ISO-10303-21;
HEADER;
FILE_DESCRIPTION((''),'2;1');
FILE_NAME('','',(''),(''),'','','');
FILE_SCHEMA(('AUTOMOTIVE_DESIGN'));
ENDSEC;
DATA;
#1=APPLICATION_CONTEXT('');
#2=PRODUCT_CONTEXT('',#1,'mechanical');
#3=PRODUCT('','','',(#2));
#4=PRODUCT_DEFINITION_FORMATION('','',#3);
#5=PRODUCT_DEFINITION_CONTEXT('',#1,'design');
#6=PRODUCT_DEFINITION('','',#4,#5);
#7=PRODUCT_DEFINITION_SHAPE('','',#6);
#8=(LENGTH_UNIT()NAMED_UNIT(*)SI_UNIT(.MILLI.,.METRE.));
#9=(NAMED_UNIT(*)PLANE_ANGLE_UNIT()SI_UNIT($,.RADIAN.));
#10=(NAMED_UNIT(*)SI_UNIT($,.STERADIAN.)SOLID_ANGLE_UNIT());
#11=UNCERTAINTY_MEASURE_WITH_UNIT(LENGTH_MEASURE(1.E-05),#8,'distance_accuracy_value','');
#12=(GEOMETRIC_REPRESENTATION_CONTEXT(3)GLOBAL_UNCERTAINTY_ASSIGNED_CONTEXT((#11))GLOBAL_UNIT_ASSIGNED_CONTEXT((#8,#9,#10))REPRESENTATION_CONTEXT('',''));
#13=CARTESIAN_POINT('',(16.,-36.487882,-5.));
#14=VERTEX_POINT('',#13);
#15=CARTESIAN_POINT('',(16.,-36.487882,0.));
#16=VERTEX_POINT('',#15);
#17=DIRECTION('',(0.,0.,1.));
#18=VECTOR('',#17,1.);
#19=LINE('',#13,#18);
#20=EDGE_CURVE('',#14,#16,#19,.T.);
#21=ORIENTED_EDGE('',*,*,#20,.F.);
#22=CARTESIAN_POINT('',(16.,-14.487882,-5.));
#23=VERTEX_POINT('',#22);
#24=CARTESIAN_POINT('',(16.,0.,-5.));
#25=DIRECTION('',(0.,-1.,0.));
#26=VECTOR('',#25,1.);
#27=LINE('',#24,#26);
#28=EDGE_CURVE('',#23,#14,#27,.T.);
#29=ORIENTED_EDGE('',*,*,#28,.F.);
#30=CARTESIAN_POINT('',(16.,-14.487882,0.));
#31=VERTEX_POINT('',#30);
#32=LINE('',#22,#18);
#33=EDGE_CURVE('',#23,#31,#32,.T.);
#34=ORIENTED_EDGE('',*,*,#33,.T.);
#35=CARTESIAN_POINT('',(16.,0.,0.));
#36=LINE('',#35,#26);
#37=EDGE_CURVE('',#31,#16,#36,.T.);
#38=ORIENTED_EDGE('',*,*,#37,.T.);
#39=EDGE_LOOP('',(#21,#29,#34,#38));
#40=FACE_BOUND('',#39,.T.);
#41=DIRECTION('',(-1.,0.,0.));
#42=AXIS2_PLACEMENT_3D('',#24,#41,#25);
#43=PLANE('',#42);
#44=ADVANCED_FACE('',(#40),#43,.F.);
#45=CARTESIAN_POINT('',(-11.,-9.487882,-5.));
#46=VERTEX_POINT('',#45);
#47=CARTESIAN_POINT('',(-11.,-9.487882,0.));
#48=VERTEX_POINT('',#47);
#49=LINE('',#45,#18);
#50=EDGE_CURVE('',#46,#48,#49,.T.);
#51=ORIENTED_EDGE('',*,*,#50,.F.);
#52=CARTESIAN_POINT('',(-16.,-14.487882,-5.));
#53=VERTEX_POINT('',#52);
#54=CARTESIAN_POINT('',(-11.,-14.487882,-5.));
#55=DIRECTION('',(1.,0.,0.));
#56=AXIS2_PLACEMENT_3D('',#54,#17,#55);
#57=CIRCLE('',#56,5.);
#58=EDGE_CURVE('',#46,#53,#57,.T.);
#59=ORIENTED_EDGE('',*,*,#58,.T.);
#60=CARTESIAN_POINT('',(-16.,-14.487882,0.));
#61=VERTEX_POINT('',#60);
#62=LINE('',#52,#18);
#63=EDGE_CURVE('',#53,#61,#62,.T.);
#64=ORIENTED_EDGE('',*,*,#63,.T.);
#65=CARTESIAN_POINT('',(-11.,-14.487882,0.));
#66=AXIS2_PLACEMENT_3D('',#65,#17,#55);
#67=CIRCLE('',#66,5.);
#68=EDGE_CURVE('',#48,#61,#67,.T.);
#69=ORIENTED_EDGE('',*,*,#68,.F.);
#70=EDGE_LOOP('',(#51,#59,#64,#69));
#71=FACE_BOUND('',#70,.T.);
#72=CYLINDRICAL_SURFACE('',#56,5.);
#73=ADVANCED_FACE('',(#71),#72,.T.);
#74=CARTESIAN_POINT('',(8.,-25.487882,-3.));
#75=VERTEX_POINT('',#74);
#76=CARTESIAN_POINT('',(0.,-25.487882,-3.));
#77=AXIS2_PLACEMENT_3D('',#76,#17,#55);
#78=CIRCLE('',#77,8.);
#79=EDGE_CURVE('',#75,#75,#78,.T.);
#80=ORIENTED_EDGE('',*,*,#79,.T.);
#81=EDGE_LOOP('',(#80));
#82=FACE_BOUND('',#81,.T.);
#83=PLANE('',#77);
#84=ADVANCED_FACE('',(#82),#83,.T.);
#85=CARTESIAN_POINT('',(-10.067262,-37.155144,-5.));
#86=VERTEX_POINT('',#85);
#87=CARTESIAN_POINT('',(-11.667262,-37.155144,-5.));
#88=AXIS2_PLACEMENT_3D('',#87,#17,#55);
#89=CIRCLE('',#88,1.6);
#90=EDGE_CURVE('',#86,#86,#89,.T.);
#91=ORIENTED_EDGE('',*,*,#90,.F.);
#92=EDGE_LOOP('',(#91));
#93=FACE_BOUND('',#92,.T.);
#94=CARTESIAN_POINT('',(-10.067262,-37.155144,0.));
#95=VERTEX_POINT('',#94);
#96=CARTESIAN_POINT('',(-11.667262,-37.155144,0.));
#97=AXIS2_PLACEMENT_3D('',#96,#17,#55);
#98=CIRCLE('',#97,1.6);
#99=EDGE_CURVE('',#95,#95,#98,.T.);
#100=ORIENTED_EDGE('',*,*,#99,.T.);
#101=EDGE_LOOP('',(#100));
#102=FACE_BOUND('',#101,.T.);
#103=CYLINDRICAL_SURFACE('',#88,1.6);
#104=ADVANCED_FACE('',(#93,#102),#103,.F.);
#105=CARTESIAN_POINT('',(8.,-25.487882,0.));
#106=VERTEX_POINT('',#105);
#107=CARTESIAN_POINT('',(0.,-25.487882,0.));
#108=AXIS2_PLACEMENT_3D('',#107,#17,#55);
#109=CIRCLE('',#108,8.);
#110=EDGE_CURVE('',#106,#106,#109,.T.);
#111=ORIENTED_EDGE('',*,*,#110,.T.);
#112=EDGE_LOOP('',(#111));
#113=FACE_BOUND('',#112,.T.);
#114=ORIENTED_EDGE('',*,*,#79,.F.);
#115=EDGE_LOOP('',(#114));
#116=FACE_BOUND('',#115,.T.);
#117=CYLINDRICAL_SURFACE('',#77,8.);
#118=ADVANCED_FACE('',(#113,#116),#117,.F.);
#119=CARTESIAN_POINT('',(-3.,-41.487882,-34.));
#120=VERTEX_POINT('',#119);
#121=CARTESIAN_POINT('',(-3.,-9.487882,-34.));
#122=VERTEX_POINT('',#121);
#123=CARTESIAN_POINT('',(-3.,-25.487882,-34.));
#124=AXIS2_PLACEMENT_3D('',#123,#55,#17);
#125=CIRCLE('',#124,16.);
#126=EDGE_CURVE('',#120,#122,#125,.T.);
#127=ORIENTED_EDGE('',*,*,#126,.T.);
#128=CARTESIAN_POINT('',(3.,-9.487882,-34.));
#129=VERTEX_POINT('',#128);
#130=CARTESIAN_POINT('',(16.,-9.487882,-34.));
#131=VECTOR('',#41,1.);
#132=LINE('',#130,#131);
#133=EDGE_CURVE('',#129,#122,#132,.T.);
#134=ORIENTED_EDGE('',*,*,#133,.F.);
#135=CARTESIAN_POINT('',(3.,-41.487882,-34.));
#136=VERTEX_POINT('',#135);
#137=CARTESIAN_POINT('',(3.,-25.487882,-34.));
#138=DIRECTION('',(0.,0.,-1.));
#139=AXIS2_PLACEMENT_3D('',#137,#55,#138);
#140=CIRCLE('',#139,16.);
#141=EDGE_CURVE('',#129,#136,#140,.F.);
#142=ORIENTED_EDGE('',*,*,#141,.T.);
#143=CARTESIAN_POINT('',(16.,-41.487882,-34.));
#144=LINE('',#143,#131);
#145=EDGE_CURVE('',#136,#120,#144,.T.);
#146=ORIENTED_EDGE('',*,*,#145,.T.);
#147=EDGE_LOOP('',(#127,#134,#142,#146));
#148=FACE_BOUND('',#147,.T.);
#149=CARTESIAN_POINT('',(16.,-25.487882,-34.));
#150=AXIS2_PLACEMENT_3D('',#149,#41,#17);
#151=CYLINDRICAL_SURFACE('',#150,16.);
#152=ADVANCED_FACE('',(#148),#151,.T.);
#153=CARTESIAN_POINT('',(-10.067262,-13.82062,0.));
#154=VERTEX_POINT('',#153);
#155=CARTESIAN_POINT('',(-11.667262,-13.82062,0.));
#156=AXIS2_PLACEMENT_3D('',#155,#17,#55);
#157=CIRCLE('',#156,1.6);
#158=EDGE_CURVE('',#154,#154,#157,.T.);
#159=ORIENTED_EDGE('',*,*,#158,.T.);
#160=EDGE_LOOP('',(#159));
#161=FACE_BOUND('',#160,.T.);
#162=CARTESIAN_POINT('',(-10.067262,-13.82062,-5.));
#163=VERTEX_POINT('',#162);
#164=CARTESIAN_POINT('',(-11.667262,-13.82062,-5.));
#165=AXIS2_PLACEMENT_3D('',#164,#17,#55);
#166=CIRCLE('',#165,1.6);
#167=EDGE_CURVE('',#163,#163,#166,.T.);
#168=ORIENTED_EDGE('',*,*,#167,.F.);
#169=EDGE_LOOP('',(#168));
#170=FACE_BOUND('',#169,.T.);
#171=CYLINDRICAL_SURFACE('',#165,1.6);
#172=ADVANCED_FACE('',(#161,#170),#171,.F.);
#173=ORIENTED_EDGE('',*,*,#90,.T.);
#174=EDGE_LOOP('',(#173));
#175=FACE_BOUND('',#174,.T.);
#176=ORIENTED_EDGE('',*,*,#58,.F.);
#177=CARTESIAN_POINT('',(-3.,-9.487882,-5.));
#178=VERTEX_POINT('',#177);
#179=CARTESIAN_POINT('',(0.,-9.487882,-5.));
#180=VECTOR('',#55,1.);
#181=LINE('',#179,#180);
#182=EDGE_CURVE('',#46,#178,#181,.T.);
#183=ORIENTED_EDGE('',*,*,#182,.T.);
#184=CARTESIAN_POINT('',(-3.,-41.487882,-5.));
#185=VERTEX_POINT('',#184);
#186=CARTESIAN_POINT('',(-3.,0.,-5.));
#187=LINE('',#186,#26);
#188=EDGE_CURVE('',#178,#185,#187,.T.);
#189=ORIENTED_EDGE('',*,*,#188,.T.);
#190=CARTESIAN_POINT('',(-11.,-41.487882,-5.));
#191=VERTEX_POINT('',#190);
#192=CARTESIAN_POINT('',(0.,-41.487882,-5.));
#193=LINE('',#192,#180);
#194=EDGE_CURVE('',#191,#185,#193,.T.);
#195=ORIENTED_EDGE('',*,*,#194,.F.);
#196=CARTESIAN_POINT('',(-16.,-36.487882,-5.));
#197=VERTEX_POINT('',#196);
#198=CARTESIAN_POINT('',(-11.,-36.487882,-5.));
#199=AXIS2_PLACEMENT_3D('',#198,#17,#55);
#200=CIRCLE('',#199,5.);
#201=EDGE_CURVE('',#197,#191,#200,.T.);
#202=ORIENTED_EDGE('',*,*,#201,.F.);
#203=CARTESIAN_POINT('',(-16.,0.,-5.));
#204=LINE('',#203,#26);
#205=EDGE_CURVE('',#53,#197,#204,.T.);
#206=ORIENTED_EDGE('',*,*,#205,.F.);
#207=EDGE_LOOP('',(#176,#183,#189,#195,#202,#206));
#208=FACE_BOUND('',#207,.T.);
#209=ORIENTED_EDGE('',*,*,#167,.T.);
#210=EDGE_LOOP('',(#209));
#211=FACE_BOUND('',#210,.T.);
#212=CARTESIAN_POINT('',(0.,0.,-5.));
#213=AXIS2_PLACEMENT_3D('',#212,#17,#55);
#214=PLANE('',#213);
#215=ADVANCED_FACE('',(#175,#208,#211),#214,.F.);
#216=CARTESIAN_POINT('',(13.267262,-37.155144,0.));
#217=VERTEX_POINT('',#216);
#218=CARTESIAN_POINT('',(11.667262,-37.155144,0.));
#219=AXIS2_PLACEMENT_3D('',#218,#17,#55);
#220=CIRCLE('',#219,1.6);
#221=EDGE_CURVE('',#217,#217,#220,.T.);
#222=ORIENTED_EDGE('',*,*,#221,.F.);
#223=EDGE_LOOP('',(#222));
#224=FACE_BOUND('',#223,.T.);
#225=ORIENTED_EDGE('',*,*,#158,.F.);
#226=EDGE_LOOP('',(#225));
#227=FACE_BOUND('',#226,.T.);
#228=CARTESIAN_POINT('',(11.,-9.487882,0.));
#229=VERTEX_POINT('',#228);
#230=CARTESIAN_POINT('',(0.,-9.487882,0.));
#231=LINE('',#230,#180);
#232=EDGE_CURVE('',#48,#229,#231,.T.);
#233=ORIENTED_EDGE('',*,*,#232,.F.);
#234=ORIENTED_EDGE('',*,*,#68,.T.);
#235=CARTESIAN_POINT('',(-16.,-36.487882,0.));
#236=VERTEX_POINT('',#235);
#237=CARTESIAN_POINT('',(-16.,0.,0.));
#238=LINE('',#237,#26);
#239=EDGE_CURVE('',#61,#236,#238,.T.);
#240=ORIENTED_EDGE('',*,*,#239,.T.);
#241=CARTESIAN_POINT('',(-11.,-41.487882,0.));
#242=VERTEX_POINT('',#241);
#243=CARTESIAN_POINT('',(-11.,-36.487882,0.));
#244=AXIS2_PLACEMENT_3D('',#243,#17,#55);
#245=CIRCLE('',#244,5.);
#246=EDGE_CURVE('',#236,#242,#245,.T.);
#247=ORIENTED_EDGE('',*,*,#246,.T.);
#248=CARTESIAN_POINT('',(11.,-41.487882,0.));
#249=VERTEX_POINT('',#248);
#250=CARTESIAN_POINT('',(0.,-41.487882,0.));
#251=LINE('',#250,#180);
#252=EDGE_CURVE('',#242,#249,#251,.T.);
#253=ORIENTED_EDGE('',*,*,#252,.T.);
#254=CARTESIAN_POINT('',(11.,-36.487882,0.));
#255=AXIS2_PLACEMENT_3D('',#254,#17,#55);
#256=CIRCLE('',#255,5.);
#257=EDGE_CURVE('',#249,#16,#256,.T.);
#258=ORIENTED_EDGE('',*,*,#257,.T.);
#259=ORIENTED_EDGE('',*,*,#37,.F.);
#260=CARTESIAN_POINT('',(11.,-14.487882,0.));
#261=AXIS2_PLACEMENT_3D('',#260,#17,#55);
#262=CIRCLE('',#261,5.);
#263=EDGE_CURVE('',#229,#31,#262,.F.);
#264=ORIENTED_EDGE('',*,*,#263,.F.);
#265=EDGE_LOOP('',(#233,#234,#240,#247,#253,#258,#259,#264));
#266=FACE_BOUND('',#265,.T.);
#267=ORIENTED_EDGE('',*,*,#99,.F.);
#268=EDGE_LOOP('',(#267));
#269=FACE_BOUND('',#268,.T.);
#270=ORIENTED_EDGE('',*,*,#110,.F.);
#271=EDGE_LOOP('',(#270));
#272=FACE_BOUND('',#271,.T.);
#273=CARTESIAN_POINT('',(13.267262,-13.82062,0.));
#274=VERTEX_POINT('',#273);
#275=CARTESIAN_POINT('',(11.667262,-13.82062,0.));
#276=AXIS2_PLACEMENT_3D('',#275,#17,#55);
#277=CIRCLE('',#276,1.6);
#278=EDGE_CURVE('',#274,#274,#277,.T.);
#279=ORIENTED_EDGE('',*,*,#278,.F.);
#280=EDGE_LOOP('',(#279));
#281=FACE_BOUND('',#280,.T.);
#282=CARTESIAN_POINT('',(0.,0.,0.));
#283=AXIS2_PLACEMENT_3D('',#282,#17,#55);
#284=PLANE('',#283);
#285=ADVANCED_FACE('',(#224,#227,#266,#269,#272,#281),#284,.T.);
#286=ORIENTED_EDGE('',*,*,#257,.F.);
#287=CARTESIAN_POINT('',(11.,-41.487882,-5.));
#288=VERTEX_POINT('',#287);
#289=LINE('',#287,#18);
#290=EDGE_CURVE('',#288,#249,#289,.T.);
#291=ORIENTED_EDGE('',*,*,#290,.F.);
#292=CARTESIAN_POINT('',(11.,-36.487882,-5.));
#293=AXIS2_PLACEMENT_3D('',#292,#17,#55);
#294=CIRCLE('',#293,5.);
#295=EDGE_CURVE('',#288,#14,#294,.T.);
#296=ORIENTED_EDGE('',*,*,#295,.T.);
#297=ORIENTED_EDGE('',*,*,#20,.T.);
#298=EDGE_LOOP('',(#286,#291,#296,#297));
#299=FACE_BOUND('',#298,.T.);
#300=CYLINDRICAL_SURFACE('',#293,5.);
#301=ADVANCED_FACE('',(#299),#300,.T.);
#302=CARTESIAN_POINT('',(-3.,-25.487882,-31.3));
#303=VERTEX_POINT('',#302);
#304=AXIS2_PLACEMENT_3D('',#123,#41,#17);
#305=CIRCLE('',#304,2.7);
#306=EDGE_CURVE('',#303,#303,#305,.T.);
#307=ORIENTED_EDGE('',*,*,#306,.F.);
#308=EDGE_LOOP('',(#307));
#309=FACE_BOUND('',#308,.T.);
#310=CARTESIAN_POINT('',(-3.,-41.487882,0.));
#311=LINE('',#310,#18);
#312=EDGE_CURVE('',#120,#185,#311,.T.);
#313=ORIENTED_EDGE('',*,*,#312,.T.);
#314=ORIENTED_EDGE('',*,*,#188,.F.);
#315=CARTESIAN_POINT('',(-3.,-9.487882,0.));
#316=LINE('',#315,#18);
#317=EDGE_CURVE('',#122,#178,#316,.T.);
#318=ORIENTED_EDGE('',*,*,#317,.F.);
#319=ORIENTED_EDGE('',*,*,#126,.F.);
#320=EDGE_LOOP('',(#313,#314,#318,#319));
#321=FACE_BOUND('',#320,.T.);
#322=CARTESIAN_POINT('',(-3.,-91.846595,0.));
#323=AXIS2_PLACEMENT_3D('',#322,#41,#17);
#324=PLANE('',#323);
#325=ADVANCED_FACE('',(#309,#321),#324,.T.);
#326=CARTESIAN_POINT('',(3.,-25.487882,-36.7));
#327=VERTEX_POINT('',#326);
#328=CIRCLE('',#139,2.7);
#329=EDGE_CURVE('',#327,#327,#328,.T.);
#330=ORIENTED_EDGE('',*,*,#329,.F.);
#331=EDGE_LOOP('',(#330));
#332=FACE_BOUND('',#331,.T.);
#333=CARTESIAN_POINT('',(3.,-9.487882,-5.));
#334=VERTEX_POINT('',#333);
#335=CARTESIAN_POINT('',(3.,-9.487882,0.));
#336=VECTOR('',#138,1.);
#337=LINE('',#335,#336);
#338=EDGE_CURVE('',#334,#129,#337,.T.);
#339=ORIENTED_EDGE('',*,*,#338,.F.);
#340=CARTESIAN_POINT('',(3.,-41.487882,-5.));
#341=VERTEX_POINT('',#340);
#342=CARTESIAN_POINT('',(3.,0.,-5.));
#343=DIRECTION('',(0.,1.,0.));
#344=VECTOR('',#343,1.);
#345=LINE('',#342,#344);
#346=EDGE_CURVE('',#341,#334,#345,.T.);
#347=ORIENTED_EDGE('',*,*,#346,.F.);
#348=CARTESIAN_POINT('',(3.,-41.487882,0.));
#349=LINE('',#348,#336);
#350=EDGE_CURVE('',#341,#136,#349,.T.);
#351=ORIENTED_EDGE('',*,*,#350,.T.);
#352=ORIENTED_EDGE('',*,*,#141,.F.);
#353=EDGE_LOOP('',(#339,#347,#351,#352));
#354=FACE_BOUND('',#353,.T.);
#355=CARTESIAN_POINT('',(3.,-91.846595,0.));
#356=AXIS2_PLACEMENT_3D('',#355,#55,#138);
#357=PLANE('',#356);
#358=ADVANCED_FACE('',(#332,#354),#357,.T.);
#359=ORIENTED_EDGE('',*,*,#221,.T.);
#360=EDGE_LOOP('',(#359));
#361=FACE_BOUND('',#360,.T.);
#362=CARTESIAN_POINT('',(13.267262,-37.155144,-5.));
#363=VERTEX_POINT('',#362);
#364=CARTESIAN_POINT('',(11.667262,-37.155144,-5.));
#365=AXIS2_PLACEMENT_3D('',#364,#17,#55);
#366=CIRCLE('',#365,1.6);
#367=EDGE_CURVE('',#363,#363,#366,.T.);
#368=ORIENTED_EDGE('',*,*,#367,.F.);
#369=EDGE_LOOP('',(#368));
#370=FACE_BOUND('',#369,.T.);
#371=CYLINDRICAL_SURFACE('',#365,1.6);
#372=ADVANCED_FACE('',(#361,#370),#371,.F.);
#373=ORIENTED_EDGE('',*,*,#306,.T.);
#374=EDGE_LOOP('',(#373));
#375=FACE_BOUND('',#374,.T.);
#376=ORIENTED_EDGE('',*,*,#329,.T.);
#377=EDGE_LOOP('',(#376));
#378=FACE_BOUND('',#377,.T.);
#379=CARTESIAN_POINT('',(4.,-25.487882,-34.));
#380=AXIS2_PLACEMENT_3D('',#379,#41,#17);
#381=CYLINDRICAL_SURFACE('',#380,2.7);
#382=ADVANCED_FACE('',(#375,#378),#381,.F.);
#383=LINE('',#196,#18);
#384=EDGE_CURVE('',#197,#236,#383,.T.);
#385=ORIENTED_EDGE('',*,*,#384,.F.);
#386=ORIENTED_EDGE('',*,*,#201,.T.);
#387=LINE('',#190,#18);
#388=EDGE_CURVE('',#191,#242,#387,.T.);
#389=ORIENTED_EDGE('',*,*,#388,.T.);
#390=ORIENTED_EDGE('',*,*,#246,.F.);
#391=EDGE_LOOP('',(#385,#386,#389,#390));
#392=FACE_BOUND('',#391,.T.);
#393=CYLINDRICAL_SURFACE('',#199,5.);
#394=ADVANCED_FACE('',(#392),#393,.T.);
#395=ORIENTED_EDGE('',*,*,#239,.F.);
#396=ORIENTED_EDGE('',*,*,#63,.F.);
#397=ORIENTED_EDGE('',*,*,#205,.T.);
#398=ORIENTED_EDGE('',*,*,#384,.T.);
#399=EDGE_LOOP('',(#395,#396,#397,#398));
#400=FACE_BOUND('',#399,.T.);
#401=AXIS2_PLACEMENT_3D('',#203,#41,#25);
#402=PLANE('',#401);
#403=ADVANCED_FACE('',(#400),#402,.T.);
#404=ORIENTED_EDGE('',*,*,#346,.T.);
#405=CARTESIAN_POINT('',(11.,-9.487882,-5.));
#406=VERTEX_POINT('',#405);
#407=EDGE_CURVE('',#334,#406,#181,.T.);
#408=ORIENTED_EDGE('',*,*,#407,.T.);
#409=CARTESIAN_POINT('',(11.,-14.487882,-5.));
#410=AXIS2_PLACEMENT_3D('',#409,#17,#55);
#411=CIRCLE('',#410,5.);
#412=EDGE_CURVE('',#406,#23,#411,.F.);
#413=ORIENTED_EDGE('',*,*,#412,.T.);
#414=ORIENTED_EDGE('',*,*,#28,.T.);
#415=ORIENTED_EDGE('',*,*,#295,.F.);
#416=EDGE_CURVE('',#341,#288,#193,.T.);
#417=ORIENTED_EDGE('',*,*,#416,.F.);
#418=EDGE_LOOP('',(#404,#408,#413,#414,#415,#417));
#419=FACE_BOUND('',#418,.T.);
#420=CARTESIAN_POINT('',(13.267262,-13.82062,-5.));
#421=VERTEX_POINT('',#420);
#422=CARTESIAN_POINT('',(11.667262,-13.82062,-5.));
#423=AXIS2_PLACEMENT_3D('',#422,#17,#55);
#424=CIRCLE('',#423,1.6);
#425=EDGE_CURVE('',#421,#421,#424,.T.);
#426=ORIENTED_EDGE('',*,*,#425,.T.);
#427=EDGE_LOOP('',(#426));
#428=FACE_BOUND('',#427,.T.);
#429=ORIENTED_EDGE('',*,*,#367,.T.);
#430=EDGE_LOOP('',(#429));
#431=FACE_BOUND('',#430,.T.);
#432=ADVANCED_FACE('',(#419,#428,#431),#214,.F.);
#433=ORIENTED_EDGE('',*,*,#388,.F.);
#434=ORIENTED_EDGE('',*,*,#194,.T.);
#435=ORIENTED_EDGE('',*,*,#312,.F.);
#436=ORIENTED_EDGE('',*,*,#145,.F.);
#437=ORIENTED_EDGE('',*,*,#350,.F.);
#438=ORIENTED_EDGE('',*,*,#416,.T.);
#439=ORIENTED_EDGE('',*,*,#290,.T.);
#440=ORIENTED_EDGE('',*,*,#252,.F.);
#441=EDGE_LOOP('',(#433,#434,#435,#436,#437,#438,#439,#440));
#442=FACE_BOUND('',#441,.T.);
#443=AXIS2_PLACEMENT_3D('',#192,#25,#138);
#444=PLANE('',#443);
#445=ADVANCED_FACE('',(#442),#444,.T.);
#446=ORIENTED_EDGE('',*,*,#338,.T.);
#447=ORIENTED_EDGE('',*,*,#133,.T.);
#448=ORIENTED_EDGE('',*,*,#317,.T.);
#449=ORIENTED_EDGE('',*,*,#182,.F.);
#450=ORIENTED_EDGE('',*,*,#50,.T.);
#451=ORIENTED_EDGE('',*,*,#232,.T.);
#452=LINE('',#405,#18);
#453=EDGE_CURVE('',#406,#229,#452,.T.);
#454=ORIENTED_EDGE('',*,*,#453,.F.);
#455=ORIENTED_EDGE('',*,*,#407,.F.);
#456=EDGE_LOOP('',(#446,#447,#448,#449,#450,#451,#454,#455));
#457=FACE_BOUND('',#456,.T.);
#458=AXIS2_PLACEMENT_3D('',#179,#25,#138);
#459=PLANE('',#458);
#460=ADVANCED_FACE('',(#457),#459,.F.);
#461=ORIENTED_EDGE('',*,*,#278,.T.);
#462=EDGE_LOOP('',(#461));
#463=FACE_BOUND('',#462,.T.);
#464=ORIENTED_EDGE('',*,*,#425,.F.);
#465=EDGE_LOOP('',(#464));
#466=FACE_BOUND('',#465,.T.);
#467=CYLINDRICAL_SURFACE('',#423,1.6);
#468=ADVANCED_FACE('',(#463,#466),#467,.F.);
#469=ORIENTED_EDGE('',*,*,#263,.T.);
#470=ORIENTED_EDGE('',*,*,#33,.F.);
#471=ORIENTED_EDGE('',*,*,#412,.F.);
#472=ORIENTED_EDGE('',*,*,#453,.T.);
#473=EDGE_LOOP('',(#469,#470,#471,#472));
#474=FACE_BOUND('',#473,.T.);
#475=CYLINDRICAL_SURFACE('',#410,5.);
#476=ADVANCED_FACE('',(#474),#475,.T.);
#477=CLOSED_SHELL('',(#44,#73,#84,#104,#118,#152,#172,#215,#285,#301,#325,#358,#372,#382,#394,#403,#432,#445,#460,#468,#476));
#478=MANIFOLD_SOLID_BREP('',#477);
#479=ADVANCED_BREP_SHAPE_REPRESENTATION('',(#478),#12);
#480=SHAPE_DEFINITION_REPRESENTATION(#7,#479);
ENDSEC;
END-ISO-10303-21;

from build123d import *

# Parameters (mm, degrees)
SKETCH1_R           = 1.6
BOSS_EXTRUDE1_DEPTH = 5
SKETCH2_W           = 6
SKETCH2_H           = 50
BOSS_EXTRUDE2_DEPTH = 32
SKETCH3_R           = 2.7
CUT_EXTRUDE1_DEPTH  = 7
SKETCH4_R           = 8
CUT_EXTRUDE2_DEPTH  = 3
CUT_EXTRUDE3_DEPTH  = 68.692277038


with BuildPart() as part:
    # Sketch1 → Boss-Extrude1 (new body)
    with BuildSketch(Plane.XY):
        with BuildLine():
            Line((-11, -9.487882213), (11, -9.487882213))
            ThreePointArc((11, -9.487882213), (14.535533906, -10.952348307), (16, -14.487882213))
            Line((16, -14.487882213), (16, -36.487882213))
            ThreePointArc((16, -36.487882213), (14.535533906, -40.023416119), (11, -41.487882213))
            Line((11, -41.487882213), (-11, -41.487882213))
            ThreePointArc((-11, -41.487882213), (-14.535533906, -40.023416119), (-16, -36.487882213))
            Line((-16, -36.487882213), (-16, -14.487882213))
            ThreePointArc((-16, -14.487882213), (-14.535533906, -10.952348307), (-11, -9.487882213))
        make_face()
        with Locations((11.66726189, -13.820620324)):
            Circle(SKETCH1_R, mode=Mode.SUBTRACT)
        with Locations((11.66726189, -37.155144103)):
            Circle(SKETCH1_R, mode=Mode.SUBTRACT)
        with Locations((-11.66726189, -37.155144103)):
            Circle(SKETCH1_R, mode=Mode.SUBTRACT)
        with Locations((-11.66726189, -13.820620324)):
            Circle(SKETCH1_R, mode=Mode.SUBTRACT)
    extrude(amount=-BOSS_EXTRUDE1_DEPTH)

    # Sketch2 → Boss-Extrude2 (add)
    with BuildSketch(Plane(origin=(0, -9.487882213, 0), x_dir=(1, 0, 0), z_dir=(0, 1, 0))):
        with Locations((0, 25)):
            Rectangle(SKETCH2_W, SKETCH2_H)
    extrude(amount=-BOSS_EXTRUDE2_DEPTH)

    # Sketch3 → Cut-Extrude1 (cut)
    with BuildSketch(Plane.ZY.offset(3)):
        with Locations((-34, -25.487882213)):
            Circle(SKETCH3_R)
    extrude(amount=-CUT_EXTRUDE1_DEPTH, mode=Mode.SUBTRACT)

    # Sketch4 → Cut-Extrude2 (cut)
    with BuildSketch(Plane.XY):
        with Locations((0, -25.487882213)):
            Circle(SKETCH4_R)
    extrude(amount=-CUT_EXTRUDE2_DEPTH, mode=Mode.SUBTRACT)

    # Sketch7 → Cut-Extrude3 (cut, through all)
    with BuildSketch(Plane.ZY.offset(3)):
        with BuildLine():
            Line((-34, -9.487882213), (-52.373766184, -9.487882213))
            Line((-52.373766184, -9.487882213), (-52.373766184, -41.487882213))
            Line((-52.373766184, -41.487882213), (-34, -41.487882213))
            ThreePointArc((-34, -41.487882213), (-50, -25.487882213), (-34, -9.487882213))
        make_face()
    extrude(amount=-CUT_EXTRUDE3_DEPTH, mode=Mode.SUBTRACT)


solid = part.part
